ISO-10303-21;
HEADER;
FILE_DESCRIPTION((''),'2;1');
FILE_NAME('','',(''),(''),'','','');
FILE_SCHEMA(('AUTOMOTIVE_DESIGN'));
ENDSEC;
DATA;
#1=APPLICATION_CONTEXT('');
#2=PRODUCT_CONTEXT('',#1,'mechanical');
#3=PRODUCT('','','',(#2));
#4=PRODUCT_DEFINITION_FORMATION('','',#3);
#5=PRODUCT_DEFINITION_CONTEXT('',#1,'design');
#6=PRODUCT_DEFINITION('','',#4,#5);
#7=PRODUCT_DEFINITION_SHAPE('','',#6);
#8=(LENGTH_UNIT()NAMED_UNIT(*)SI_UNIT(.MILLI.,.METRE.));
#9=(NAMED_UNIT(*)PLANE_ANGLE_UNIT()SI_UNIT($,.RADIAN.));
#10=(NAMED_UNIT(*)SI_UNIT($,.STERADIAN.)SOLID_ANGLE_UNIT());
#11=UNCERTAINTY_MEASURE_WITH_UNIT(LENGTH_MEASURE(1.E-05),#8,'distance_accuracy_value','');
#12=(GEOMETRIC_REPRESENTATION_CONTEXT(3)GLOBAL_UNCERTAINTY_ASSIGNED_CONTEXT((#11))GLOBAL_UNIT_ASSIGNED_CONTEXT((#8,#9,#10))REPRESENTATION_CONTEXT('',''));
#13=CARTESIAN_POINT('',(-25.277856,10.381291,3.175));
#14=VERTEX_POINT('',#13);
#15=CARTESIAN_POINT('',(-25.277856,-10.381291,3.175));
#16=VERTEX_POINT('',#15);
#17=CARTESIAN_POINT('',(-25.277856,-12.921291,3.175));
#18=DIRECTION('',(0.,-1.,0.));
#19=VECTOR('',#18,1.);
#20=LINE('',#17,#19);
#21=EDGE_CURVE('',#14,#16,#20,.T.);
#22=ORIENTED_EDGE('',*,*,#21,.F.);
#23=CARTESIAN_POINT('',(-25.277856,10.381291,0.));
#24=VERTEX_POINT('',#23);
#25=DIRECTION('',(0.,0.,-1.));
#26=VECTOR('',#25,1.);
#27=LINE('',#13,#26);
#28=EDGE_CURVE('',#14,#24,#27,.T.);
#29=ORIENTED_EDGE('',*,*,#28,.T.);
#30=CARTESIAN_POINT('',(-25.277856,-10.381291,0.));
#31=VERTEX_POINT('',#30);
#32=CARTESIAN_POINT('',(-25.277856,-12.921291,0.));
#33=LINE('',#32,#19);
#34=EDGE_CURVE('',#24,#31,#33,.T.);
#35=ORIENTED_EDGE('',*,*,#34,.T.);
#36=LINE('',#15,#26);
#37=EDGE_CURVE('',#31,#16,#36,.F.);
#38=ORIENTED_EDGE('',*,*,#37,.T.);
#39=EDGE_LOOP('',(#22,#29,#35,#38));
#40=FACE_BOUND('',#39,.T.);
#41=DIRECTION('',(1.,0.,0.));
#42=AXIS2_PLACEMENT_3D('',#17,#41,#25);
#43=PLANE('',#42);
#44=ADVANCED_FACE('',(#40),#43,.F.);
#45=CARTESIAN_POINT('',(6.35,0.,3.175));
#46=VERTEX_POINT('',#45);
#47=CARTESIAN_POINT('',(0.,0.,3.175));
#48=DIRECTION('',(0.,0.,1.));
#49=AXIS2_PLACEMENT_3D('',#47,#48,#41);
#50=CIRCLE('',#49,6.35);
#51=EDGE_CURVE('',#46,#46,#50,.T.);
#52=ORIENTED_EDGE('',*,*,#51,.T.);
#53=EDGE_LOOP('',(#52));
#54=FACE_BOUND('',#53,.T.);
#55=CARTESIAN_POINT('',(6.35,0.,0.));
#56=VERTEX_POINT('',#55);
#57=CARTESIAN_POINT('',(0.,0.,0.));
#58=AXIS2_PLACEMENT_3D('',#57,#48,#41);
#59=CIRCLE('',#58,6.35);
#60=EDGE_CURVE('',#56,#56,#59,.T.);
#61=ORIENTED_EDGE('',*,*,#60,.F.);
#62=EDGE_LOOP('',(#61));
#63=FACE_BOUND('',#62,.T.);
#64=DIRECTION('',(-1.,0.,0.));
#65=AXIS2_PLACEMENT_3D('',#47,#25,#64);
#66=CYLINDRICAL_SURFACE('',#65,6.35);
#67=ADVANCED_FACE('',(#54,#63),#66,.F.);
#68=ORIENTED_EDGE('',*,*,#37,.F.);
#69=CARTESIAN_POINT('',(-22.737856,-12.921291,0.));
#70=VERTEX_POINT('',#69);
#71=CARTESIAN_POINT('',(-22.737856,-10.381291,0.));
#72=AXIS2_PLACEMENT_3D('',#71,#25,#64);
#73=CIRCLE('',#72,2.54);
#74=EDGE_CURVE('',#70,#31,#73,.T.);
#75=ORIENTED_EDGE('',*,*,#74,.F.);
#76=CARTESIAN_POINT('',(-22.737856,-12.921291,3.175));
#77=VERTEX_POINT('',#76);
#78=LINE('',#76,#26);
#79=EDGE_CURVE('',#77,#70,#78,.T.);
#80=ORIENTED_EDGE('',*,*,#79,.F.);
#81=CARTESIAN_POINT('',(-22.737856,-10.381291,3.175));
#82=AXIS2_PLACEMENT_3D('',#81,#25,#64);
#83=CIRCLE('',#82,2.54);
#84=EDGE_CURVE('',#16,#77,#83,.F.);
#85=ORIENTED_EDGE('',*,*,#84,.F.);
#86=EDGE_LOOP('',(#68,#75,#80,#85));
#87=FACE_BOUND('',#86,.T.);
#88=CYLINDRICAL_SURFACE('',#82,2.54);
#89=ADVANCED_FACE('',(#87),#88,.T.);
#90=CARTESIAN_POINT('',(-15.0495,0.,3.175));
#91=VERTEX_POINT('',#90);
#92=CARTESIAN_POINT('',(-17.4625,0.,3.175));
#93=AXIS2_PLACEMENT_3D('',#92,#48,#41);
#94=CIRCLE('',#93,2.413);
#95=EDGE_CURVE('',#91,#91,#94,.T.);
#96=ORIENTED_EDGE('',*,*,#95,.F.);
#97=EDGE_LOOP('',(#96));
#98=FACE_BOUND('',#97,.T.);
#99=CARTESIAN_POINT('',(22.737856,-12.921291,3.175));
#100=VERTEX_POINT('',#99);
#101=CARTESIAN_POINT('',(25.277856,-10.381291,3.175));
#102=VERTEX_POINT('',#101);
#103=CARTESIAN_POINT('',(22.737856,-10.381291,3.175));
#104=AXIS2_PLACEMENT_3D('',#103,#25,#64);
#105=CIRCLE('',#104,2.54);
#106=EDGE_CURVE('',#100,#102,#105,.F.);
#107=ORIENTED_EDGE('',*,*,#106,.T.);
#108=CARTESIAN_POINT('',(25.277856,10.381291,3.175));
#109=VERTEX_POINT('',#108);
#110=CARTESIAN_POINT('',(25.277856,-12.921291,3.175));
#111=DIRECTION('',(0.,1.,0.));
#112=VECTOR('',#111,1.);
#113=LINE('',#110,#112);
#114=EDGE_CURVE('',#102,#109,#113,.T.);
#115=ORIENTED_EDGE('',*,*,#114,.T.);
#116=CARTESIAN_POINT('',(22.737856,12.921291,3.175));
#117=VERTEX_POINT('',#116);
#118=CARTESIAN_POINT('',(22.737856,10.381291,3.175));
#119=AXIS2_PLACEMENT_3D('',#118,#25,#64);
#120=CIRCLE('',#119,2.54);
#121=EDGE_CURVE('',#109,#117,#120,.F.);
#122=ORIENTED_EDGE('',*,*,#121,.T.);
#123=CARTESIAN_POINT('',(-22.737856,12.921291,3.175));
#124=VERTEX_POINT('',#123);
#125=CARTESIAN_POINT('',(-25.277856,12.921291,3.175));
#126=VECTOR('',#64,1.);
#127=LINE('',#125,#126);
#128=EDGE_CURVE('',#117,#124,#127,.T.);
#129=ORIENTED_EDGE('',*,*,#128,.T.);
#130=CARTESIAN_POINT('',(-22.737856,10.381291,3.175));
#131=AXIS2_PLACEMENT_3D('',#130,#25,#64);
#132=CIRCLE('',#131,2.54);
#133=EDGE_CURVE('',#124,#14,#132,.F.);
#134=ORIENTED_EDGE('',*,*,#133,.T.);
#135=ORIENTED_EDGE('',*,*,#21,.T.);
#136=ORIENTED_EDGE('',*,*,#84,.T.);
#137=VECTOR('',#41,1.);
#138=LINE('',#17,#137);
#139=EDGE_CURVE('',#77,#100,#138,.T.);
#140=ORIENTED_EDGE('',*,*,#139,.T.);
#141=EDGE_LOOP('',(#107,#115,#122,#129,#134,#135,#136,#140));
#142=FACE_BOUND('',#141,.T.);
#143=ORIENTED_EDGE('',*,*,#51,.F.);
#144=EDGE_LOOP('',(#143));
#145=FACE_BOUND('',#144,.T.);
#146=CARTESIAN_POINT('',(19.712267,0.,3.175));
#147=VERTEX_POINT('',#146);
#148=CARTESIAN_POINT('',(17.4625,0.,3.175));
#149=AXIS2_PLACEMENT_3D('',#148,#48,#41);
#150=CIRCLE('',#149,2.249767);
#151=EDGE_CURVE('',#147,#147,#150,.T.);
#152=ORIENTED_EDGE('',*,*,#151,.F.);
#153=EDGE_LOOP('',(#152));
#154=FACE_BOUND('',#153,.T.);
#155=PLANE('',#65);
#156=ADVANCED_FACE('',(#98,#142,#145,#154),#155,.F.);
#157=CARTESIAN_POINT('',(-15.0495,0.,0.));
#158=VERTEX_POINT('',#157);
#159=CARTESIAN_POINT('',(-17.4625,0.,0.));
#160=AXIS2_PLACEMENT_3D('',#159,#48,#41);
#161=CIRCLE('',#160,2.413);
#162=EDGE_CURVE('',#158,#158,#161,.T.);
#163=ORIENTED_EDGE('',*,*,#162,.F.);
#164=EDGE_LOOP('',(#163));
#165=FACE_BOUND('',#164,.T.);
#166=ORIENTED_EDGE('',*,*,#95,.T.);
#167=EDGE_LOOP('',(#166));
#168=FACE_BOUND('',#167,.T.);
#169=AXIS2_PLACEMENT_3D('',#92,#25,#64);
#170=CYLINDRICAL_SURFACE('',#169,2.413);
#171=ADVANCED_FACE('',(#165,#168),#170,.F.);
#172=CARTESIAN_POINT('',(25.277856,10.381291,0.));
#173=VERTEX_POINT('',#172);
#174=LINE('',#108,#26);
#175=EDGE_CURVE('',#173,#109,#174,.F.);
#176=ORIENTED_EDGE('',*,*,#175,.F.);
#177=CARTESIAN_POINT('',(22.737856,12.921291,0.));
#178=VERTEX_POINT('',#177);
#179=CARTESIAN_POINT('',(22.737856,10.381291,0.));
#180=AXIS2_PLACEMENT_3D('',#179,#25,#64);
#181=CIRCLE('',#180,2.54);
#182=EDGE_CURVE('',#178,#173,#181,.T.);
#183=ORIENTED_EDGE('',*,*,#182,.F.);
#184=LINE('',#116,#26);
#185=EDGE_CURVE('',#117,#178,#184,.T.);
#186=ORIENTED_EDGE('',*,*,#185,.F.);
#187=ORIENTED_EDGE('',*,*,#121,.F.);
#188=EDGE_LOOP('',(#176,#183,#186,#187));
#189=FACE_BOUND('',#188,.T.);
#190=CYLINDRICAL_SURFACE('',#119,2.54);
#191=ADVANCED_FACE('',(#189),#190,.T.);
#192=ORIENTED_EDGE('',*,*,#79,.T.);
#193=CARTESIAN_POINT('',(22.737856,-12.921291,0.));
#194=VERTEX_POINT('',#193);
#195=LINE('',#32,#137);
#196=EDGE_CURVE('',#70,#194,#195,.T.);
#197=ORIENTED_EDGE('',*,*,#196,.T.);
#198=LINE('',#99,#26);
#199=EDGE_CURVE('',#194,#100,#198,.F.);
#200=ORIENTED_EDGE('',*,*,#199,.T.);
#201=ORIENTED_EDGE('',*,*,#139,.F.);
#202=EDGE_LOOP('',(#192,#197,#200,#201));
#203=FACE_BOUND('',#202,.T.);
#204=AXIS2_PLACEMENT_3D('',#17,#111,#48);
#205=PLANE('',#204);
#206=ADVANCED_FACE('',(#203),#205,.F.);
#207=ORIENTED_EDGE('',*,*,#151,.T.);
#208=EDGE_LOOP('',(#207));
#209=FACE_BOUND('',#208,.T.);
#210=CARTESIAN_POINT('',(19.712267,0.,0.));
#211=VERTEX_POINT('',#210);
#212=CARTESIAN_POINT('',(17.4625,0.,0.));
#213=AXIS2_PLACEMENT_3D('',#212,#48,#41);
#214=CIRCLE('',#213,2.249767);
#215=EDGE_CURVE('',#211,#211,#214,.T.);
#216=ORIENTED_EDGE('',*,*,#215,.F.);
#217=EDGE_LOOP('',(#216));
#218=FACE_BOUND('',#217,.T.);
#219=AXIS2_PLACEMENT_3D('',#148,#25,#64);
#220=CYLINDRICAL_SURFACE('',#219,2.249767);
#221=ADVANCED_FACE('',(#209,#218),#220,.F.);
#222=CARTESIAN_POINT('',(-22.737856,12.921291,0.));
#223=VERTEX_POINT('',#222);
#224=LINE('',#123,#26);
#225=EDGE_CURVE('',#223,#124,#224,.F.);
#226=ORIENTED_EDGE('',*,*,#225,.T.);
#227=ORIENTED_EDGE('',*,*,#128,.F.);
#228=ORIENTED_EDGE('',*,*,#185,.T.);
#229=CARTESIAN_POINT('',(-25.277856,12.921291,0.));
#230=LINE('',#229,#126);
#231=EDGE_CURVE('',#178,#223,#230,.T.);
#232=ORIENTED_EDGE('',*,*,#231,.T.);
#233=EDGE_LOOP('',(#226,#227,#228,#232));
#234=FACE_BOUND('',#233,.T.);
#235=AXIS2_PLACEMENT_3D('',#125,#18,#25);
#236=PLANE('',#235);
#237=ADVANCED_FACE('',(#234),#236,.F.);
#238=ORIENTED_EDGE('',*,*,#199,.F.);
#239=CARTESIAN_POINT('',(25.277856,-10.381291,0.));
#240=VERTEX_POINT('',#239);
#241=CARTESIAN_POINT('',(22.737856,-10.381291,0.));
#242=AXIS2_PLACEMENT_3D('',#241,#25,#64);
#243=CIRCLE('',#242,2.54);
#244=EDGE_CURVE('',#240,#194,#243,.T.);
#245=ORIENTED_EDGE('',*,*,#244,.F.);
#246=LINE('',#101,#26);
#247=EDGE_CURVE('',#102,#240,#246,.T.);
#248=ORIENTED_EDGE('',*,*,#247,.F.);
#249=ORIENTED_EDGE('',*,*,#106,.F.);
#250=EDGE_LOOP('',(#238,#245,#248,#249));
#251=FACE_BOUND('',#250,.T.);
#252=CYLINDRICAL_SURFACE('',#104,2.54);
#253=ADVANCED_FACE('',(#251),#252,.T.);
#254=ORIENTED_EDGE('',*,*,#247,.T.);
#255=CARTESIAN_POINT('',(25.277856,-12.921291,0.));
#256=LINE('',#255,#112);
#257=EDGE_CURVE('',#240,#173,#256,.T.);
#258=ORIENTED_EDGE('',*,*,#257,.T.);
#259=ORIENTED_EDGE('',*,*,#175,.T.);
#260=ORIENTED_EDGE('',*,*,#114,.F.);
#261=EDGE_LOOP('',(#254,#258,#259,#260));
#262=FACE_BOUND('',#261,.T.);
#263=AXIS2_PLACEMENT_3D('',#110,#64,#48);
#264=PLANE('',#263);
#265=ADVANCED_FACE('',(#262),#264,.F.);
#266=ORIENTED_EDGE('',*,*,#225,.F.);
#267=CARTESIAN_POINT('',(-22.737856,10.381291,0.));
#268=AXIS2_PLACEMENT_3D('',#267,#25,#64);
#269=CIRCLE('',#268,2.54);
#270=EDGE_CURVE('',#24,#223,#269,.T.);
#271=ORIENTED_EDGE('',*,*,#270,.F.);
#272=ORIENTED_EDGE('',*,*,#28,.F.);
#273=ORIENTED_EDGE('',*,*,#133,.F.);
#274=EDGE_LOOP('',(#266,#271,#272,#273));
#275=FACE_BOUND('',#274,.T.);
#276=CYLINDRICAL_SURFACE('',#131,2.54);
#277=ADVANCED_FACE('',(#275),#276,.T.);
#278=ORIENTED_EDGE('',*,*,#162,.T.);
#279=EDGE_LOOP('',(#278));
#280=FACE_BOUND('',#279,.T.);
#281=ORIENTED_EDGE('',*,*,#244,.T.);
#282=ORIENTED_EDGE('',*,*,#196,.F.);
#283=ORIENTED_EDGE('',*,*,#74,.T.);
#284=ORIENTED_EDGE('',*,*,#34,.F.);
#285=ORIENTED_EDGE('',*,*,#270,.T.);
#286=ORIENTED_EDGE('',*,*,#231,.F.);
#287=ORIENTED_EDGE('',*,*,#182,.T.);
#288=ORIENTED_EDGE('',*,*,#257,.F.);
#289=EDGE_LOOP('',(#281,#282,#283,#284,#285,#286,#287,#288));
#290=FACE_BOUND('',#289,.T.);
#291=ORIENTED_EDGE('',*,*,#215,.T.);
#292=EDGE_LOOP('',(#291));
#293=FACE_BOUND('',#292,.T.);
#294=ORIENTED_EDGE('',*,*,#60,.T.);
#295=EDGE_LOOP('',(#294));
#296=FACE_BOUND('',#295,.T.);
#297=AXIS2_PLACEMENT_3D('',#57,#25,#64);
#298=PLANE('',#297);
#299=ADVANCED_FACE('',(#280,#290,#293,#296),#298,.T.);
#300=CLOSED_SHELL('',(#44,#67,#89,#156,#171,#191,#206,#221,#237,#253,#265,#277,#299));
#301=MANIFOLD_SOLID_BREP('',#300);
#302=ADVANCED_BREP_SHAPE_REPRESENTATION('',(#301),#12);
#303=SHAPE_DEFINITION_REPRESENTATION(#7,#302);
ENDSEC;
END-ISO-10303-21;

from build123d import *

# Parameters (mm, degrees)
SKETCH1_W           = 50.55571166
SKETCH1_H           = 25.842581666
SKETCH1_R           = 2.413
SKETCH1_R_2         = 2.249766629
SKETCH1_R_3         = 6.35
BOSS_EXTRUDE1_DEPTH = 3.175
FILLET1_R           = 2.54


with BuildPart() as part:
    # Sketch1 → Boss-Extrude1 (new body)
    with BuildSketch(Plane.XY):
        Rectangle(SKETCH1_W, SKETCH1_H)
        with Locations((-17.4625, 0)):
            Circle(SKETCH1_R, mode=Mode.SUBTRACT)
        with Locations((17.4625, 0)):
            Circle(SKETCH1_R_2, mode=Mode.SUBTRACT)
        Circle(SKETCH1_R_3, mode=Mode.SUBTRACT)
    extrude(amount=BOSS_EXTRUDE1_DEPTH)

    # Fillet1
    fillet1_edges = [part.edges().sort_by_distance(p)[0] for p in [
        (25.27785583, -12.921290833, 1.5875),
        (-25.27785583, -12.921290833, 1.5875),
        (-25.27785583, 12.921290833, 1.5875),
        (25.27785583, 12.921290833, 1.5875),
    ]]
    fillet(fillet1_edges, radius=FILLET1_R)


solid = part.part
